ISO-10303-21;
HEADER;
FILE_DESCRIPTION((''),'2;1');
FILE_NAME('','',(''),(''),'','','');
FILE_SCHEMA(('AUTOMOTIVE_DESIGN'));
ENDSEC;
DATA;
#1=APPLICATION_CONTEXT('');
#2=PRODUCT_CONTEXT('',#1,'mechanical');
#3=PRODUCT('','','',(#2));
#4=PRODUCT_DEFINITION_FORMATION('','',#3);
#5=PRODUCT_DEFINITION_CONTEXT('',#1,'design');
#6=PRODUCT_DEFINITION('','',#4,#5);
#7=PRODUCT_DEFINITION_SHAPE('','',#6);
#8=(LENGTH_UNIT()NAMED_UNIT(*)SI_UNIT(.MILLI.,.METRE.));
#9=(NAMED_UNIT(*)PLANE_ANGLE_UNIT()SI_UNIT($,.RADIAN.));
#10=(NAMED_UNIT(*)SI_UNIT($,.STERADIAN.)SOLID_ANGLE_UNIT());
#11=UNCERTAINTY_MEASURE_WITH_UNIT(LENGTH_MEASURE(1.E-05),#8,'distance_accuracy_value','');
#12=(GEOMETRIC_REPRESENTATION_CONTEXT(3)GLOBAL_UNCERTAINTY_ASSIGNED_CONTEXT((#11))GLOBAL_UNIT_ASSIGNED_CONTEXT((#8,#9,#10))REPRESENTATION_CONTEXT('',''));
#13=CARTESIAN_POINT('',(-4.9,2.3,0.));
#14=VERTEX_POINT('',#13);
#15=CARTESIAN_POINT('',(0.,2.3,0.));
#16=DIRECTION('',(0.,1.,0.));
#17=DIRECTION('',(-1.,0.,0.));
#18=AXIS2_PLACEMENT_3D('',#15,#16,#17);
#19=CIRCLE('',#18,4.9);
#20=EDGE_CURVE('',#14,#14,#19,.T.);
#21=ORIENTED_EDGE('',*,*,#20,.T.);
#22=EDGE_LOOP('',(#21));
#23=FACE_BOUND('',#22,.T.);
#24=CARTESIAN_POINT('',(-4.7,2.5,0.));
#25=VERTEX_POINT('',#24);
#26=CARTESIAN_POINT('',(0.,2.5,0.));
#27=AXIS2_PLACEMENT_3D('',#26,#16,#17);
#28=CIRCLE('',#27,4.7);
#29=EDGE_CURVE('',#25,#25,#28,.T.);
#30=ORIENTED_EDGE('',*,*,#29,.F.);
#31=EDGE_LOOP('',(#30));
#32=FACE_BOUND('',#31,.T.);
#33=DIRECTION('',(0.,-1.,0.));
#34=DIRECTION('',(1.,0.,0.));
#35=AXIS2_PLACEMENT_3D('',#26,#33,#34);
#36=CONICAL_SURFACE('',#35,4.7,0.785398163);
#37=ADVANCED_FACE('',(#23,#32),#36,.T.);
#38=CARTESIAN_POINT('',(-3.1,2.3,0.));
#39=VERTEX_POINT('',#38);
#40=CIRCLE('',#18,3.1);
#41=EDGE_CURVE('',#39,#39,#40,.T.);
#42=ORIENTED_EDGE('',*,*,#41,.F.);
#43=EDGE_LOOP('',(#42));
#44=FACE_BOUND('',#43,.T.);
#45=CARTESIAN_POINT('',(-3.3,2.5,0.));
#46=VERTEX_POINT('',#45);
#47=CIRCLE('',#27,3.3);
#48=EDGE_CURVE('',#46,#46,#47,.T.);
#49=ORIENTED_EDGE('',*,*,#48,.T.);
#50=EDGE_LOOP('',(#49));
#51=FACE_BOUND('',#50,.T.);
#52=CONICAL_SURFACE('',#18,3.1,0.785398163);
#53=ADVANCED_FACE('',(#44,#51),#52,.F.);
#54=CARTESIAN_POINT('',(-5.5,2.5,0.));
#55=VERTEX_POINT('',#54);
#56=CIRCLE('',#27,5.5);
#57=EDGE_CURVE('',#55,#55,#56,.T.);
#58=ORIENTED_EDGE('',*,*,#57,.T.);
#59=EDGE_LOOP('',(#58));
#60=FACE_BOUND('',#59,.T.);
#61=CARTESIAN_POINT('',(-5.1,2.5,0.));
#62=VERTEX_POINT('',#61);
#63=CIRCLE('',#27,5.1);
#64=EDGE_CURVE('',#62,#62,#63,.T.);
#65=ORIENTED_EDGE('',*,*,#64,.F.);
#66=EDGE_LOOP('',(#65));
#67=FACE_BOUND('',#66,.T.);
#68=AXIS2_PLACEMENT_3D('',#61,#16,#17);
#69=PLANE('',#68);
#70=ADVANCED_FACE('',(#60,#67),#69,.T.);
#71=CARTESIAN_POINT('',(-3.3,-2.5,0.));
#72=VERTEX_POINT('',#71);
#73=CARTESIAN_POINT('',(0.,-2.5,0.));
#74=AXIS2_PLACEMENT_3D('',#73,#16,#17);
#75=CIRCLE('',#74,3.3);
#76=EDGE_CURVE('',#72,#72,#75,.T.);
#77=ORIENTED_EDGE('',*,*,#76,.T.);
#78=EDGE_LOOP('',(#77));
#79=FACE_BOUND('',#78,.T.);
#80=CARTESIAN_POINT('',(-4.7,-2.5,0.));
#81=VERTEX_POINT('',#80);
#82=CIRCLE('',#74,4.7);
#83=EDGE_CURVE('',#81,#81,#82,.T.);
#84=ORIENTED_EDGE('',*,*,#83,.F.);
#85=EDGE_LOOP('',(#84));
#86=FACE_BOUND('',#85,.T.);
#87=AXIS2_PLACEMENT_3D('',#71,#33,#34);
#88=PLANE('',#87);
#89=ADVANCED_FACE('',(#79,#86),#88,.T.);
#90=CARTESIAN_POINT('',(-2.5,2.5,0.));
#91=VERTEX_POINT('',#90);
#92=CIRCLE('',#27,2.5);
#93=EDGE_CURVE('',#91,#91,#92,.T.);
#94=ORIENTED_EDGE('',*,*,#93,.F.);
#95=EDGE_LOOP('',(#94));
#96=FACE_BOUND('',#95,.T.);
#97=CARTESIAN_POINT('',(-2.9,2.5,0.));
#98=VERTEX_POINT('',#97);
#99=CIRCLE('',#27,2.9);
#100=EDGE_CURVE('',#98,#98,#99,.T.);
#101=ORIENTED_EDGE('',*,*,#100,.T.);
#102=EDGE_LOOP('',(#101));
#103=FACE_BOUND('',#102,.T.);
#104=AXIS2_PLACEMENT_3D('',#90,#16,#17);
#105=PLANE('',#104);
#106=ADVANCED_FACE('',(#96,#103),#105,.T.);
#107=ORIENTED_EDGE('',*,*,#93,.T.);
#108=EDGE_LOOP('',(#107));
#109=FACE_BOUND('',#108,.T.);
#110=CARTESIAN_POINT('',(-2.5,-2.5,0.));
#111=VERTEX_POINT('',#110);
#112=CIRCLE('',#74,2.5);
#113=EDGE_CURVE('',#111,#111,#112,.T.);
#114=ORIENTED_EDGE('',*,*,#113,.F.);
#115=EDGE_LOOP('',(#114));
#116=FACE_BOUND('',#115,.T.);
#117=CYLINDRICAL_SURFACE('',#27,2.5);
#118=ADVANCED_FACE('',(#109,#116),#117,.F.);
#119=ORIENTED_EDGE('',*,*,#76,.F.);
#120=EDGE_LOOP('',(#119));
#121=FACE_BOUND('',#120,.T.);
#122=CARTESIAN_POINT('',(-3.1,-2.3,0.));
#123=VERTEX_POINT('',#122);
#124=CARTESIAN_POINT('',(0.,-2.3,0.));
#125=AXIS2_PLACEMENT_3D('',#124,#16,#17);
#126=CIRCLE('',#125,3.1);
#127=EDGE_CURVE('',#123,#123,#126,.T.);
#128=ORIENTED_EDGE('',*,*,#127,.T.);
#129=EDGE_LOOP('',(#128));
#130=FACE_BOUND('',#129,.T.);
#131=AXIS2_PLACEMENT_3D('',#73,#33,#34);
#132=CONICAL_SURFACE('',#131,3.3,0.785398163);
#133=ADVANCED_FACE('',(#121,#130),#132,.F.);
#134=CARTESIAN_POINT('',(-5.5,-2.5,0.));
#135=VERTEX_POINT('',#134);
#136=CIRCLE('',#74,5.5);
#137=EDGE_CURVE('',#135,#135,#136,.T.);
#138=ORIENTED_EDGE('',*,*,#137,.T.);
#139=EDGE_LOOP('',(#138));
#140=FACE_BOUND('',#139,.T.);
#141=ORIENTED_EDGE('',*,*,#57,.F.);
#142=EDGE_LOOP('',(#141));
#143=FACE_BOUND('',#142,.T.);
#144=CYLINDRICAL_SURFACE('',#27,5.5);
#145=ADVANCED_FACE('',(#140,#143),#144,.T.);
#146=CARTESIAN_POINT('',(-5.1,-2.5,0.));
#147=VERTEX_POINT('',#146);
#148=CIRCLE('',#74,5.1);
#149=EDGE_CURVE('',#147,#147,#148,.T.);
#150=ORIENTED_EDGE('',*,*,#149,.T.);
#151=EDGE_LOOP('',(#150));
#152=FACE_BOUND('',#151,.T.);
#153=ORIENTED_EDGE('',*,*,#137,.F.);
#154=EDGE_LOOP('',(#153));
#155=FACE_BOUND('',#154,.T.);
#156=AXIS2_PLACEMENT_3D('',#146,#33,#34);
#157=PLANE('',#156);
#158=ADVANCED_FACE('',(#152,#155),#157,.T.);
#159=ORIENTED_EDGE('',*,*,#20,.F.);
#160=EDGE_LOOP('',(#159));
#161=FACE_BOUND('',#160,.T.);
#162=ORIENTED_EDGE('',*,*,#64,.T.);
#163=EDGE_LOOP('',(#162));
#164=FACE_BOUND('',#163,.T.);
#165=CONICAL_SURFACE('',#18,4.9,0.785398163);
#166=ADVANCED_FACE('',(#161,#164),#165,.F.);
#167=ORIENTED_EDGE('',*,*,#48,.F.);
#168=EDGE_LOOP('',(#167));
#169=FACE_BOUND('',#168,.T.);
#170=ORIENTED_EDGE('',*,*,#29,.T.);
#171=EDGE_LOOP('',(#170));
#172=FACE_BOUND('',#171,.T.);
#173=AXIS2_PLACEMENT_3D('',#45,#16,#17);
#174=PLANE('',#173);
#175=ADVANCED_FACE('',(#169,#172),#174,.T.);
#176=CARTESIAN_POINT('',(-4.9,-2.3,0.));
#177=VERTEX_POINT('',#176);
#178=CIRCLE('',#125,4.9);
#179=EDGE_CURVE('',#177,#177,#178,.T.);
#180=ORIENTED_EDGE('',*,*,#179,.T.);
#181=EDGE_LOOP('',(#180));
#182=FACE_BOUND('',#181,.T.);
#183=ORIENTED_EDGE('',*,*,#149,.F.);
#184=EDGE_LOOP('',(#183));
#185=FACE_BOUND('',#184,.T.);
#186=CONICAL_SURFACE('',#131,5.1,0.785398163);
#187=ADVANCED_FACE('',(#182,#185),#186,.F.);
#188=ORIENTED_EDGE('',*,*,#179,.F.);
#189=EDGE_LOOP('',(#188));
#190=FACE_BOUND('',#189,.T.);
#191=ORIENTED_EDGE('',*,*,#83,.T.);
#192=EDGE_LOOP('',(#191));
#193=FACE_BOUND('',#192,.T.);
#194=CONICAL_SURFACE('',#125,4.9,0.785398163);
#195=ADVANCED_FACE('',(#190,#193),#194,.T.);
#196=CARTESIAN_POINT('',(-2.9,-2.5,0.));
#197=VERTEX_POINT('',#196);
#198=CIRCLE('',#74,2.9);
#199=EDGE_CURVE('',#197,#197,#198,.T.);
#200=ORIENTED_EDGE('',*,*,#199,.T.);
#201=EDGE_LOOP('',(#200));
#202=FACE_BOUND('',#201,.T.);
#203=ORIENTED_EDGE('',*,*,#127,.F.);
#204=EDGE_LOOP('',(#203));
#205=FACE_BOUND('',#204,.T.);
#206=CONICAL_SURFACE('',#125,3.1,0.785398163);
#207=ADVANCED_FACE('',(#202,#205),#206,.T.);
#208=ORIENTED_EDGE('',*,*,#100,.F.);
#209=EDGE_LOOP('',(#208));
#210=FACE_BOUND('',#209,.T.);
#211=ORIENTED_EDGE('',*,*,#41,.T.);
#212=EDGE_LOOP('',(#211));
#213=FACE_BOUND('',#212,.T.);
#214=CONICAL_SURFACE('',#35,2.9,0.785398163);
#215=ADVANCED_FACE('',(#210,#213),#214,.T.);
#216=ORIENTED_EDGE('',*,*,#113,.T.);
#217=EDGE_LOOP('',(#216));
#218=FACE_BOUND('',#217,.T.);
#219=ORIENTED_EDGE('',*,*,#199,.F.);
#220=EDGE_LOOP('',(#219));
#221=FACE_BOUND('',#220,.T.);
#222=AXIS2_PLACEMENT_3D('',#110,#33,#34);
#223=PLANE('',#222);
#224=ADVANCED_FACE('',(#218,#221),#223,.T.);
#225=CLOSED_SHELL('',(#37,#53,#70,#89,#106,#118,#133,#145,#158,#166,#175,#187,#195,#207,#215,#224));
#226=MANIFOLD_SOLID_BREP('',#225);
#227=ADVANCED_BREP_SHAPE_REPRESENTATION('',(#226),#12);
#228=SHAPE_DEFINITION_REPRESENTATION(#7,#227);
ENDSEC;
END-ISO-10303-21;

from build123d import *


with BuildPart() as part:
    # Sketch1 → Revolve1 (revolve)
    with BuildSketch(Plane.XY):
        Polygon((-2.5, 2.5), (-2.9, 2.5), (-3.1, 2.3), (-3.3, 2.5), (-4.7, 2.5), (-4.9, 2.3), (-5.1, 2.5), (-5.5, 2.5), (-5.5, -2.5), (-5.1, -2.5), (-4.9, -2.3), (-4.7, -2.5), (-3.3, -2.5), (-3.1, -2.3), (-2.9, -2.5), (-2.5, -2.5), align=None)
    revolve(axis=Axis((0, 2.5, 0), (0, -1, 0)))


solid = part.part
